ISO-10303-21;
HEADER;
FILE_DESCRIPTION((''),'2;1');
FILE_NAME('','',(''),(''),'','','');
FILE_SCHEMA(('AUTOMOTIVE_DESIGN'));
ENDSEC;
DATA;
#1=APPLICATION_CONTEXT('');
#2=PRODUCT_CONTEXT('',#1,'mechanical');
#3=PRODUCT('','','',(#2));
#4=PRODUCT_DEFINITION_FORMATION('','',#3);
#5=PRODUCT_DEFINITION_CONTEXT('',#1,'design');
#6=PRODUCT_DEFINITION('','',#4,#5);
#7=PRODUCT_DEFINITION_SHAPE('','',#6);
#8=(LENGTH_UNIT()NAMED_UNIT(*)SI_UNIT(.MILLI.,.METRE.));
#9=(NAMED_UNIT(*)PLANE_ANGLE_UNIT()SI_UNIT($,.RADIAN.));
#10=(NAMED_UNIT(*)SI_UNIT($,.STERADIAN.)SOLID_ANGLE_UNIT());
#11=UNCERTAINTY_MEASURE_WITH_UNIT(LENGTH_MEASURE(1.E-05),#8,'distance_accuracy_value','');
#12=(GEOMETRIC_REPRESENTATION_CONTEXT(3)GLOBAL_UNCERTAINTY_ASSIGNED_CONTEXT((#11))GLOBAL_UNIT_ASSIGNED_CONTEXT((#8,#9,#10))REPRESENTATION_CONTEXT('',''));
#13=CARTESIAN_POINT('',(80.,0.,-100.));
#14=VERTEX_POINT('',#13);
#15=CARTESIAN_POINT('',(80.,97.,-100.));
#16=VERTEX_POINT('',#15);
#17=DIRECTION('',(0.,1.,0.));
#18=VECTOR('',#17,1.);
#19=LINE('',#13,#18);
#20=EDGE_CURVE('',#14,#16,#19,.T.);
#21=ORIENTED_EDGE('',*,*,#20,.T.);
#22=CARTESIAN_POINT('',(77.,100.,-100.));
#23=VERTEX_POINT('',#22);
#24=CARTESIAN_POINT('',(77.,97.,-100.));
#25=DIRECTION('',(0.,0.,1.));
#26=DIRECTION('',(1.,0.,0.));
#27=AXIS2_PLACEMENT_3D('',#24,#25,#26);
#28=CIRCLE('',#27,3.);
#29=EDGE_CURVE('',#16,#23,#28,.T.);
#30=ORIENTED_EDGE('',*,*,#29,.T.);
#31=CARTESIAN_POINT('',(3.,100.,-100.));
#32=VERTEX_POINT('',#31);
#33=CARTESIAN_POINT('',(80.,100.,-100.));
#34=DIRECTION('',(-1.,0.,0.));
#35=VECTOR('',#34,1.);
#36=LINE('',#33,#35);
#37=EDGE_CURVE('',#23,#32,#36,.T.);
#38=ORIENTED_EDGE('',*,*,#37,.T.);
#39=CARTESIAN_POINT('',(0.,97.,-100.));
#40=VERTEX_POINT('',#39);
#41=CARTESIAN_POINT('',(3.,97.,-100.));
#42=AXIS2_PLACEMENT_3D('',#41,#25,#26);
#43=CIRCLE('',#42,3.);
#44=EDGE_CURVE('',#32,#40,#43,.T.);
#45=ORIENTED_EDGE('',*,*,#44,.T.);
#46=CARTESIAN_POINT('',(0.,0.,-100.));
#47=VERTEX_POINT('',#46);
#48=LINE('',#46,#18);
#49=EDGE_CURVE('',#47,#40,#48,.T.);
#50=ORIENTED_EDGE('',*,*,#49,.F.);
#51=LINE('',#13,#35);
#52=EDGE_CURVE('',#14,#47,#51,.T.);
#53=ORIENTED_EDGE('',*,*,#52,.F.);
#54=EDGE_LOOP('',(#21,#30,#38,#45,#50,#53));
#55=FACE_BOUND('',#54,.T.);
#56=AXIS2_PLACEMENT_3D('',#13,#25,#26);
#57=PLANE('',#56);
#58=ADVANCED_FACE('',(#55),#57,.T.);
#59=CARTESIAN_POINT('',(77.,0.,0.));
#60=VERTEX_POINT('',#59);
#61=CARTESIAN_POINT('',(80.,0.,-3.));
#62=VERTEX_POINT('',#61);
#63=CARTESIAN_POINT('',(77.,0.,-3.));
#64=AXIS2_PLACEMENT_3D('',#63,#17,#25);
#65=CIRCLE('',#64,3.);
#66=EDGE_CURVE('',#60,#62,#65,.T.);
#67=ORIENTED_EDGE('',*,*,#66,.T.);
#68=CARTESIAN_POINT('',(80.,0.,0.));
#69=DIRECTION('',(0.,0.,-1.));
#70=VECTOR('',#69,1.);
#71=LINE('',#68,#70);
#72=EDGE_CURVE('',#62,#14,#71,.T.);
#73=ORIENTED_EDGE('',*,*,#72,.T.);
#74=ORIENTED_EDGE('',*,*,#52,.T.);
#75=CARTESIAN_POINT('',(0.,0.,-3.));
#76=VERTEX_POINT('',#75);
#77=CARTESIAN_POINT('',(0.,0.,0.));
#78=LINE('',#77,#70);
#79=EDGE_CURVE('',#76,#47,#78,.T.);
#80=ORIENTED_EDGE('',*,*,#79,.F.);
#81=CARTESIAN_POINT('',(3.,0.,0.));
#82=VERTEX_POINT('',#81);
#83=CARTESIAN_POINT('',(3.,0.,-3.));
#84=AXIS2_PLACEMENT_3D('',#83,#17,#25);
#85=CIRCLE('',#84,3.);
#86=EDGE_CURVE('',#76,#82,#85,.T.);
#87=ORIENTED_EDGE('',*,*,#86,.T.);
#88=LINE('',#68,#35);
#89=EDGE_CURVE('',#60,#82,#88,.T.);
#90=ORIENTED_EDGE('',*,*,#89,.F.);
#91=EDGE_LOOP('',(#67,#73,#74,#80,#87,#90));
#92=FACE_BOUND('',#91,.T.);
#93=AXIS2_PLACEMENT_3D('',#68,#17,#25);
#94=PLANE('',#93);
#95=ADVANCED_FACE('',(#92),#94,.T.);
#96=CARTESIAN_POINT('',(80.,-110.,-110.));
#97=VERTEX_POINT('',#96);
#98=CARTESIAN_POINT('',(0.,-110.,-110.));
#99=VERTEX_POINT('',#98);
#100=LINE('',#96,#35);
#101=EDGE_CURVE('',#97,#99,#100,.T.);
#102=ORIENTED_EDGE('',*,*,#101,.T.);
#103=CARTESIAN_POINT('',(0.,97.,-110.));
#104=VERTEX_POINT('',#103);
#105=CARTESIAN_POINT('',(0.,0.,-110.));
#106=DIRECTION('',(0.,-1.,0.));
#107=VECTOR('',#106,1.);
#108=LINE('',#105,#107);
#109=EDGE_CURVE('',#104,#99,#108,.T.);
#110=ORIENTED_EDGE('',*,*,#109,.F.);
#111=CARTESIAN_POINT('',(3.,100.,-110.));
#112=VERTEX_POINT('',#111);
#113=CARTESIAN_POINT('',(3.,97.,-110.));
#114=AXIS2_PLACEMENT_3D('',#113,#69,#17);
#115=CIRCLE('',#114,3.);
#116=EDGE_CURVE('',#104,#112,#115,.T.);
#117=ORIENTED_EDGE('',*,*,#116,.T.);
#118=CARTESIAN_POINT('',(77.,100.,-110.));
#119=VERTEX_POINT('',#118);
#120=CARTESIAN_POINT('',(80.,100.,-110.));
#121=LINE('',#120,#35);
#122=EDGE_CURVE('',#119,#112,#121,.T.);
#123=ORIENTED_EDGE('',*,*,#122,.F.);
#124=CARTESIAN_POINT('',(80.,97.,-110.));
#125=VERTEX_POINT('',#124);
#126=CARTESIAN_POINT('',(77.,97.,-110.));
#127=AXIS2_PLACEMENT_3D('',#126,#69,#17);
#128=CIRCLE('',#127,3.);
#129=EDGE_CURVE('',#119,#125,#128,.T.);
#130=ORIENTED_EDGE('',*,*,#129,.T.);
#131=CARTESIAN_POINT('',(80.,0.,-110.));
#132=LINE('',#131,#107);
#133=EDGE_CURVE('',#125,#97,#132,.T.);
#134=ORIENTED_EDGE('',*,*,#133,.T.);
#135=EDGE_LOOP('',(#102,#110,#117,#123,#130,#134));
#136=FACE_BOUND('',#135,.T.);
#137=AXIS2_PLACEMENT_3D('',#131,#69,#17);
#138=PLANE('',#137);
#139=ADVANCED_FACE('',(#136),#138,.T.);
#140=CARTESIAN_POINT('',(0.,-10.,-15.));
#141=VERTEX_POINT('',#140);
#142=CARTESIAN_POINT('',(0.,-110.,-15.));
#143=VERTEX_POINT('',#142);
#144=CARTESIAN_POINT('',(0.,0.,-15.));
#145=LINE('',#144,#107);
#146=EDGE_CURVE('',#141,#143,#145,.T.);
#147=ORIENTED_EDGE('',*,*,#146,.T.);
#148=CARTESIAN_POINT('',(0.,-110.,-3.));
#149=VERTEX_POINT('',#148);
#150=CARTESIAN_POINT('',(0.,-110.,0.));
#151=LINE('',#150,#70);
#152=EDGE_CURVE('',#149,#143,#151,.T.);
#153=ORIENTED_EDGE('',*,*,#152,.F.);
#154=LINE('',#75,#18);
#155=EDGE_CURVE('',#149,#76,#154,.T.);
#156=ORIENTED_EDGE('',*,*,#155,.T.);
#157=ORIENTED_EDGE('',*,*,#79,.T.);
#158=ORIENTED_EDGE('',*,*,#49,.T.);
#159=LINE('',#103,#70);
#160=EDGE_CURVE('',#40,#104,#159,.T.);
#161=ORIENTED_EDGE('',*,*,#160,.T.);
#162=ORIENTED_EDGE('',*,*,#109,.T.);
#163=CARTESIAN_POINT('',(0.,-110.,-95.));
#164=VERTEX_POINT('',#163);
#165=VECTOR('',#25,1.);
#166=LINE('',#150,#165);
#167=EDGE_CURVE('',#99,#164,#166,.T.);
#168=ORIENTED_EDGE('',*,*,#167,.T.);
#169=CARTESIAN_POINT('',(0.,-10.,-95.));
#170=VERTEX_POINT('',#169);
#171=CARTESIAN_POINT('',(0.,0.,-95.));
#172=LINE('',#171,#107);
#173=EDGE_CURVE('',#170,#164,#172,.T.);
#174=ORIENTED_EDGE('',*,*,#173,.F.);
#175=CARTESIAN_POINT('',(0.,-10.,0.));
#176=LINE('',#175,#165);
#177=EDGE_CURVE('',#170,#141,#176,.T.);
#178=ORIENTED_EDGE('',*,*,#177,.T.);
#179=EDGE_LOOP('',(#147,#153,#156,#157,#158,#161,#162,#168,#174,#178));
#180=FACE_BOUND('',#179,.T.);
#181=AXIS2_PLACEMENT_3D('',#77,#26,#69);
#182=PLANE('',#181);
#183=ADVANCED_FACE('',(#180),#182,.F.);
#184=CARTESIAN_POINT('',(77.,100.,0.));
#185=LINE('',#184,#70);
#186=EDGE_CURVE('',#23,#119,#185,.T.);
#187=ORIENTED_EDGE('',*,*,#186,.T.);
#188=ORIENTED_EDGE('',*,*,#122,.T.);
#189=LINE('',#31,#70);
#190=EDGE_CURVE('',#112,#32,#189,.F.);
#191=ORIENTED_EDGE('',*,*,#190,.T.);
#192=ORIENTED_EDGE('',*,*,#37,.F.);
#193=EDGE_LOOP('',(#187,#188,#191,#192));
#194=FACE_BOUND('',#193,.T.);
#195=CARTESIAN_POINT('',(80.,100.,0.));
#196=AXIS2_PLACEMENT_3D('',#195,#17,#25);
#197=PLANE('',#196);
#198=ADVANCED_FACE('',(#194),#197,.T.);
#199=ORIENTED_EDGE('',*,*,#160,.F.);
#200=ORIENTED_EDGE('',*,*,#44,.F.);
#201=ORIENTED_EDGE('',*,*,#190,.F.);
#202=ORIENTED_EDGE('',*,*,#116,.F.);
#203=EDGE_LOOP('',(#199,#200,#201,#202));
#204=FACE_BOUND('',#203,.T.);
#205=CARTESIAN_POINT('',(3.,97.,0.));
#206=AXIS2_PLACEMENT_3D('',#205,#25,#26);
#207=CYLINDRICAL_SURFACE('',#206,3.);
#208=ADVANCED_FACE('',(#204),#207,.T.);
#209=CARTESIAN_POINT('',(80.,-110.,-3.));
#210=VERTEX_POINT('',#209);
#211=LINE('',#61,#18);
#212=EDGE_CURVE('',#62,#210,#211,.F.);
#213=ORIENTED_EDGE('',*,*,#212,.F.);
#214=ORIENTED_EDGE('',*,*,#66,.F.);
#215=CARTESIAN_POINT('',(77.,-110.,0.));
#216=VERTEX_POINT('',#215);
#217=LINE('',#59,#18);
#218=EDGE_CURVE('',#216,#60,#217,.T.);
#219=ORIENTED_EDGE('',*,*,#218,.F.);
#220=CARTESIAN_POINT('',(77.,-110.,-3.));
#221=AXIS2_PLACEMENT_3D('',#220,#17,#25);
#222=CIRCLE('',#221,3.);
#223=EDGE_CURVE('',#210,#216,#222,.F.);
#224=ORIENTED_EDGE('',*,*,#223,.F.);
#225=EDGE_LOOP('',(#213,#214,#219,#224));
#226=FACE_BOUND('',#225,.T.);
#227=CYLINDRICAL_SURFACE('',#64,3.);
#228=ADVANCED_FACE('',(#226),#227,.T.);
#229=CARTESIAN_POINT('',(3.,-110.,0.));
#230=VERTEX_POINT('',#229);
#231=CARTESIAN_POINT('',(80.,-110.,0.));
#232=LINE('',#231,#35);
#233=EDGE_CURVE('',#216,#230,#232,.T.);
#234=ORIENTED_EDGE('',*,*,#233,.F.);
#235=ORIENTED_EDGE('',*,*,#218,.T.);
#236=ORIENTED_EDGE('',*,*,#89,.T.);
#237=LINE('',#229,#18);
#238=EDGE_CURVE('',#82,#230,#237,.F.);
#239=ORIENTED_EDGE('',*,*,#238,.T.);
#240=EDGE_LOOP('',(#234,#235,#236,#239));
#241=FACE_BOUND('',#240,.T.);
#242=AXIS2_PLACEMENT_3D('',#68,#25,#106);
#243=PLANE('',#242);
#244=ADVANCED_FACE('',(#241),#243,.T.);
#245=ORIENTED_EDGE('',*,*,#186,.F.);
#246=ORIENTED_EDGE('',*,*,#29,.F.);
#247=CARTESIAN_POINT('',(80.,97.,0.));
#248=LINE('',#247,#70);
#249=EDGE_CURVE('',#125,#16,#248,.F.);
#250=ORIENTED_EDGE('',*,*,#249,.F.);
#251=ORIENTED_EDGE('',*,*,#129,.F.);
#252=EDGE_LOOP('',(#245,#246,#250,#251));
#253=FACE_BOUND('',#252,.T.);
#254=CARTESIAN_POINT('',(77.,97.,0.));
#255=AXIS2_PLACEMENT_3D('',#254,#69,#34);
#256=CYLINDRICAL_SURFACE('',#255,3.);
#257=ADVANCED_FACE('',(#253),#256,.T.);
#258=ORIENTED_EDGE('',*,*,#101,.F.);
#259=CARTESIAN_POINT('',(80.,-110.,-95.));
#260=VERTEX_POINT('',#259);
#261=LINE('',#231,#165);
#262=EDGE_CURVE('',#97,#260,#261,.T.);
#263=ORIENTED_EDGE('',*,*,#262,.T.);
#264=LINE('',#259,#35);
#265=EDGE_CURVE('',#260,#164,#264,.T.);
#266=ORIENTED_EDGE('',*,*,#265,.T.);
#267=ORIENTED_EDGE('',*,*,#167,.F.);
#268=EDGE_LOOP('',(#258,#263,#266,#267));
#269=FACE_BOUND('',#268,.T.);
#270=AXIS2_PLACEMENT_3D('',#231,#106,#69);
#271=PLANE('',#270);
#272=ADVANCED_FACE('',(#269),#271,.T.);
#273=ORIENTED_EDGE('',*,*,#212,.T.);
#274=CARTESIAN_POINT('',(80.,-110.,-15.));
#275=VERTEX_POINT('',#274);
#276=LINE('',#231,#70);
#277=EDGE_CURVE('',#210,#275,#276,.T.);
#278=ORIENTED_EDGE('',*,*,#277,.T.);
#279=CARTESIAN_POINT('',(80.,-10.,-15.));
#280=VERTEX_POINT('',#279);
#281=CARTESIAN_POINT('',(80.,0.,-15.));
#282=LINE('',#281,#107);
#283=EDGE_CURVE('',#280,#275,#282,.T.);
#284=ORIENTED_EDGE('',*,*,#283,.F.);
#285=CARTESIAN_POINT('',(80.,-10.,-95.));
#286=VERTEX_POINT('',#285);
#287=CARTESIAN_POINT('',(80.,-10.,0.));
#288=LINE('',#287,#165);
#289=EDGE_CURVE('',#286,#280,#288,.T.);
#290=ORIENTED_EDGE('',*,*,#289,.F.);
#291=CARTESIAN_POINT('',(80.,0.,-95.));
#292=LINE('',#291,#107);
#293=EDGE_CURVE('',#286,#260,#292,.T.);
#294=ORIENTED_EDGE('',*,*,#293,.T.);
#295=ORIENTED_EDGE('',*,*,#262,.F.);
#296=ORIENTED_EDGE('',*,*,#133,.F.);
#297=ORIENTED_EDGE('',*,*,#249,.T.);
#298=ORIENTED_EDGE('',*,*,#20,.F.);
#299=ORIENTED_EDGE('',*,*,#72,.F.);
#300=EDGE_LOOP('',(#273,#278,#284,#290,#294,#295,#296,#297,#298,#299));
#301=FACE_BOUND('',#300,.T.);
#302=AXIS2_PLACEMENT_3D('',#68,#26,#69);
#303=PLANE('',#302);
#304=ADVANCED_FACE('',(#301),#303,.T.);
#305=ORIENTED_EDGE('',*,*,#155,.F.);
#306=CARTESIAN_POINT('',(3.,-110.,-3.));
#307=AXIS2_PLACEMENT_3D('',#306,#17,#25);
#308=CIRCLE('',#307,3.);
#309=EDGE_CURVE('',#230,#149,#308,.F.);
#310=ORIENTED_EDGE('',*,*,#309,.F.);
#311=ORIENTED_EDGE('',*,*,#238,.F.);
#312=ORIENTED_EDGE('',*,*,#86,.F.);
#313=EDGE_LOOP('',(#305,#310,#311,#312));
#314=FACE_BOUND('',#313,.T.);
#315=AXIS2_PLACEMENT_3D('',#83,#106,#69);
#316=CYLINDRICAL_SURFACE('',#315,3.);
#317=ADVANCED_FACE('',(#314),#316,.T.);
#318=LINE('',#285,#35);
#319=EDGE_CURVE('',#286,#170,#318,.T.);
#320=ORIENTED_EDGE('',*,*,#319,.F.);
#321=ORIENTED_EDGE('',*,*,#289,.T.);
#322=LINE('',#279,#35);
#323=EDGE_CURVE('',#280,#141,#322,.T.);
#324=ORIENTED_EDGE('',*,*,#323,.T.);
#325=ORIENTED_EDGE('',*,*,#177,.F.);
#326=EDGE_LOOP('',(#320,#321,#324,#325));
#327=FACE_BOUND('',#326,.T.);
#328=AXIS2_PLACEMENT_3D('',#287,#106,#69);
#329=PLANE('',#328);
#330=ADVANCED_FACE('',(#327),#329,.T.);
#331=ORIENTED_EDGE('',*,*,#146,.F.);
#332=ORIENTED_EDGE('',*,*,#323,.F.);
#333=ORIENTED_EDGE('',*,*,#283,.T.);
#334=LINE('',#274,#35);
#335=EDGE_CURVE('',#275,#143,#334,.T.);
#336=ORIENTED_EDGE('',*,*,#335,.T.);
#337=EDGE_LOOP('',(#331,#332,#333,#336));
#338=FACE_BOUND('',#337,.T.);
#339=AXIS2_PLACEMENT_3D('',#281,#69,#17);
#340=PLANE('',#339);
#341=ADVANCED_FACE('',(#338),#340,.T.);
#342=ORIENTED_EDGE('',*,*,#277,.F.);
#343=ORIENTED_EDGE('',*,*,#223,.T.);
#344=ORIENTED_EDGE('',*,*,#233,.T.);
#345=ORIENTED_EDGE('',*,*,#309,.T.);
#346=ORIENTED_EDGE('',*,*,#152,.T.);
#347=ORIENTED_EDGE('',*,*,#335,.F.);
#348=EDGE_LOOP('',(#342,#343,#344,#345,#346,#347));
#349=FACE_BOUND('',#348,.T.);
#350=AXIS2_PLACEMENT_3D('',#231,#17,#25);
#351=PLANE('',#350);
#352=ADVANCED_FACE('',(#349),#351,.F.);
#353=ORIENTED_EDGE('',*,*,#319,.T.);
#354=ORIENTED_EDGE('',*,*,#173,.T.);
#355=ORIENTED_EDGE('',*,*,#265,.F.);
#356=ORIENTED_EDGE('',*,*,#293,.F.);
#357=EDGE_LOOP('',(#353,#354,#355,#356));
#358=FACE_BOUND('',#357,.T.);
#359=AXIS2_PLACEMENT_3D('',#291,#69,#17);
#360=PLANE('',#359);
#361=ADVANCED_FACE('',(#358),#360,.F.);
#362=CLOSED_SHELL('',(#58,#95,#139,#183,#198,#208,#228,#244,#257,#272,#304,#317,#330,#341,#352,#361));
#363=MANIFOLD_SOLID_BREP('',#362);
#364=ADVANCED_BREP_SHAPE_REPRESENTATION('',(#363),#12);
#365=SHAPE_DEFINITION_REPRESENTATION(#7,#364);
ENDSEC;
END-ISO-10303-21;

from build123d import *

# Parameters (mm, degrees)
SKETCH_1_W      = 15
SKETCH_1_H      = 100
EXTRUDE_1_DEPTH = 80
FILLET_1_R      = 3
FILLET_2_R      = 3


with BuildPart() as part:
    # 스케치1 → 보스-돌출1 (new body)
    with BuildSketch(Plane(origin=(0, 0, 0), x_dir=(0, 0, -1), z_dir=(1, 0, 0))):
        Polygon((0, -10), (0, 0), (100, 0), (100, 100), (110, 100), (110, -10), align=None)
        with Locations((102.5, -60)):
            Rectangle(SKETCH_1_W, SKETCH_1_H)
        with Locations((7.5, -60)):
            Rectangle(SKETCH_1_W, SKETCH_1_H)
    extrude(amount=EXTRUDE_1_DEPTH)

    # 필렛1
    fillet_1_edges = [part.edges().sort_by_distance(p)[0] for p in [
        (0, 100, -105),
        (80, 100, -105),
    ]]
    fillet(fillet_1_edges, radius=FILLET_1_R)

    # 필렛2
    fillet_2_edges = [part.edges().sort_by_distance(p)[0] for p in [
        (0, -55, 0),
        (80, -55, 0),
    ]]
    fillet(fillet_2_edges, radius=FILLET_2_R)


solid = part.part
